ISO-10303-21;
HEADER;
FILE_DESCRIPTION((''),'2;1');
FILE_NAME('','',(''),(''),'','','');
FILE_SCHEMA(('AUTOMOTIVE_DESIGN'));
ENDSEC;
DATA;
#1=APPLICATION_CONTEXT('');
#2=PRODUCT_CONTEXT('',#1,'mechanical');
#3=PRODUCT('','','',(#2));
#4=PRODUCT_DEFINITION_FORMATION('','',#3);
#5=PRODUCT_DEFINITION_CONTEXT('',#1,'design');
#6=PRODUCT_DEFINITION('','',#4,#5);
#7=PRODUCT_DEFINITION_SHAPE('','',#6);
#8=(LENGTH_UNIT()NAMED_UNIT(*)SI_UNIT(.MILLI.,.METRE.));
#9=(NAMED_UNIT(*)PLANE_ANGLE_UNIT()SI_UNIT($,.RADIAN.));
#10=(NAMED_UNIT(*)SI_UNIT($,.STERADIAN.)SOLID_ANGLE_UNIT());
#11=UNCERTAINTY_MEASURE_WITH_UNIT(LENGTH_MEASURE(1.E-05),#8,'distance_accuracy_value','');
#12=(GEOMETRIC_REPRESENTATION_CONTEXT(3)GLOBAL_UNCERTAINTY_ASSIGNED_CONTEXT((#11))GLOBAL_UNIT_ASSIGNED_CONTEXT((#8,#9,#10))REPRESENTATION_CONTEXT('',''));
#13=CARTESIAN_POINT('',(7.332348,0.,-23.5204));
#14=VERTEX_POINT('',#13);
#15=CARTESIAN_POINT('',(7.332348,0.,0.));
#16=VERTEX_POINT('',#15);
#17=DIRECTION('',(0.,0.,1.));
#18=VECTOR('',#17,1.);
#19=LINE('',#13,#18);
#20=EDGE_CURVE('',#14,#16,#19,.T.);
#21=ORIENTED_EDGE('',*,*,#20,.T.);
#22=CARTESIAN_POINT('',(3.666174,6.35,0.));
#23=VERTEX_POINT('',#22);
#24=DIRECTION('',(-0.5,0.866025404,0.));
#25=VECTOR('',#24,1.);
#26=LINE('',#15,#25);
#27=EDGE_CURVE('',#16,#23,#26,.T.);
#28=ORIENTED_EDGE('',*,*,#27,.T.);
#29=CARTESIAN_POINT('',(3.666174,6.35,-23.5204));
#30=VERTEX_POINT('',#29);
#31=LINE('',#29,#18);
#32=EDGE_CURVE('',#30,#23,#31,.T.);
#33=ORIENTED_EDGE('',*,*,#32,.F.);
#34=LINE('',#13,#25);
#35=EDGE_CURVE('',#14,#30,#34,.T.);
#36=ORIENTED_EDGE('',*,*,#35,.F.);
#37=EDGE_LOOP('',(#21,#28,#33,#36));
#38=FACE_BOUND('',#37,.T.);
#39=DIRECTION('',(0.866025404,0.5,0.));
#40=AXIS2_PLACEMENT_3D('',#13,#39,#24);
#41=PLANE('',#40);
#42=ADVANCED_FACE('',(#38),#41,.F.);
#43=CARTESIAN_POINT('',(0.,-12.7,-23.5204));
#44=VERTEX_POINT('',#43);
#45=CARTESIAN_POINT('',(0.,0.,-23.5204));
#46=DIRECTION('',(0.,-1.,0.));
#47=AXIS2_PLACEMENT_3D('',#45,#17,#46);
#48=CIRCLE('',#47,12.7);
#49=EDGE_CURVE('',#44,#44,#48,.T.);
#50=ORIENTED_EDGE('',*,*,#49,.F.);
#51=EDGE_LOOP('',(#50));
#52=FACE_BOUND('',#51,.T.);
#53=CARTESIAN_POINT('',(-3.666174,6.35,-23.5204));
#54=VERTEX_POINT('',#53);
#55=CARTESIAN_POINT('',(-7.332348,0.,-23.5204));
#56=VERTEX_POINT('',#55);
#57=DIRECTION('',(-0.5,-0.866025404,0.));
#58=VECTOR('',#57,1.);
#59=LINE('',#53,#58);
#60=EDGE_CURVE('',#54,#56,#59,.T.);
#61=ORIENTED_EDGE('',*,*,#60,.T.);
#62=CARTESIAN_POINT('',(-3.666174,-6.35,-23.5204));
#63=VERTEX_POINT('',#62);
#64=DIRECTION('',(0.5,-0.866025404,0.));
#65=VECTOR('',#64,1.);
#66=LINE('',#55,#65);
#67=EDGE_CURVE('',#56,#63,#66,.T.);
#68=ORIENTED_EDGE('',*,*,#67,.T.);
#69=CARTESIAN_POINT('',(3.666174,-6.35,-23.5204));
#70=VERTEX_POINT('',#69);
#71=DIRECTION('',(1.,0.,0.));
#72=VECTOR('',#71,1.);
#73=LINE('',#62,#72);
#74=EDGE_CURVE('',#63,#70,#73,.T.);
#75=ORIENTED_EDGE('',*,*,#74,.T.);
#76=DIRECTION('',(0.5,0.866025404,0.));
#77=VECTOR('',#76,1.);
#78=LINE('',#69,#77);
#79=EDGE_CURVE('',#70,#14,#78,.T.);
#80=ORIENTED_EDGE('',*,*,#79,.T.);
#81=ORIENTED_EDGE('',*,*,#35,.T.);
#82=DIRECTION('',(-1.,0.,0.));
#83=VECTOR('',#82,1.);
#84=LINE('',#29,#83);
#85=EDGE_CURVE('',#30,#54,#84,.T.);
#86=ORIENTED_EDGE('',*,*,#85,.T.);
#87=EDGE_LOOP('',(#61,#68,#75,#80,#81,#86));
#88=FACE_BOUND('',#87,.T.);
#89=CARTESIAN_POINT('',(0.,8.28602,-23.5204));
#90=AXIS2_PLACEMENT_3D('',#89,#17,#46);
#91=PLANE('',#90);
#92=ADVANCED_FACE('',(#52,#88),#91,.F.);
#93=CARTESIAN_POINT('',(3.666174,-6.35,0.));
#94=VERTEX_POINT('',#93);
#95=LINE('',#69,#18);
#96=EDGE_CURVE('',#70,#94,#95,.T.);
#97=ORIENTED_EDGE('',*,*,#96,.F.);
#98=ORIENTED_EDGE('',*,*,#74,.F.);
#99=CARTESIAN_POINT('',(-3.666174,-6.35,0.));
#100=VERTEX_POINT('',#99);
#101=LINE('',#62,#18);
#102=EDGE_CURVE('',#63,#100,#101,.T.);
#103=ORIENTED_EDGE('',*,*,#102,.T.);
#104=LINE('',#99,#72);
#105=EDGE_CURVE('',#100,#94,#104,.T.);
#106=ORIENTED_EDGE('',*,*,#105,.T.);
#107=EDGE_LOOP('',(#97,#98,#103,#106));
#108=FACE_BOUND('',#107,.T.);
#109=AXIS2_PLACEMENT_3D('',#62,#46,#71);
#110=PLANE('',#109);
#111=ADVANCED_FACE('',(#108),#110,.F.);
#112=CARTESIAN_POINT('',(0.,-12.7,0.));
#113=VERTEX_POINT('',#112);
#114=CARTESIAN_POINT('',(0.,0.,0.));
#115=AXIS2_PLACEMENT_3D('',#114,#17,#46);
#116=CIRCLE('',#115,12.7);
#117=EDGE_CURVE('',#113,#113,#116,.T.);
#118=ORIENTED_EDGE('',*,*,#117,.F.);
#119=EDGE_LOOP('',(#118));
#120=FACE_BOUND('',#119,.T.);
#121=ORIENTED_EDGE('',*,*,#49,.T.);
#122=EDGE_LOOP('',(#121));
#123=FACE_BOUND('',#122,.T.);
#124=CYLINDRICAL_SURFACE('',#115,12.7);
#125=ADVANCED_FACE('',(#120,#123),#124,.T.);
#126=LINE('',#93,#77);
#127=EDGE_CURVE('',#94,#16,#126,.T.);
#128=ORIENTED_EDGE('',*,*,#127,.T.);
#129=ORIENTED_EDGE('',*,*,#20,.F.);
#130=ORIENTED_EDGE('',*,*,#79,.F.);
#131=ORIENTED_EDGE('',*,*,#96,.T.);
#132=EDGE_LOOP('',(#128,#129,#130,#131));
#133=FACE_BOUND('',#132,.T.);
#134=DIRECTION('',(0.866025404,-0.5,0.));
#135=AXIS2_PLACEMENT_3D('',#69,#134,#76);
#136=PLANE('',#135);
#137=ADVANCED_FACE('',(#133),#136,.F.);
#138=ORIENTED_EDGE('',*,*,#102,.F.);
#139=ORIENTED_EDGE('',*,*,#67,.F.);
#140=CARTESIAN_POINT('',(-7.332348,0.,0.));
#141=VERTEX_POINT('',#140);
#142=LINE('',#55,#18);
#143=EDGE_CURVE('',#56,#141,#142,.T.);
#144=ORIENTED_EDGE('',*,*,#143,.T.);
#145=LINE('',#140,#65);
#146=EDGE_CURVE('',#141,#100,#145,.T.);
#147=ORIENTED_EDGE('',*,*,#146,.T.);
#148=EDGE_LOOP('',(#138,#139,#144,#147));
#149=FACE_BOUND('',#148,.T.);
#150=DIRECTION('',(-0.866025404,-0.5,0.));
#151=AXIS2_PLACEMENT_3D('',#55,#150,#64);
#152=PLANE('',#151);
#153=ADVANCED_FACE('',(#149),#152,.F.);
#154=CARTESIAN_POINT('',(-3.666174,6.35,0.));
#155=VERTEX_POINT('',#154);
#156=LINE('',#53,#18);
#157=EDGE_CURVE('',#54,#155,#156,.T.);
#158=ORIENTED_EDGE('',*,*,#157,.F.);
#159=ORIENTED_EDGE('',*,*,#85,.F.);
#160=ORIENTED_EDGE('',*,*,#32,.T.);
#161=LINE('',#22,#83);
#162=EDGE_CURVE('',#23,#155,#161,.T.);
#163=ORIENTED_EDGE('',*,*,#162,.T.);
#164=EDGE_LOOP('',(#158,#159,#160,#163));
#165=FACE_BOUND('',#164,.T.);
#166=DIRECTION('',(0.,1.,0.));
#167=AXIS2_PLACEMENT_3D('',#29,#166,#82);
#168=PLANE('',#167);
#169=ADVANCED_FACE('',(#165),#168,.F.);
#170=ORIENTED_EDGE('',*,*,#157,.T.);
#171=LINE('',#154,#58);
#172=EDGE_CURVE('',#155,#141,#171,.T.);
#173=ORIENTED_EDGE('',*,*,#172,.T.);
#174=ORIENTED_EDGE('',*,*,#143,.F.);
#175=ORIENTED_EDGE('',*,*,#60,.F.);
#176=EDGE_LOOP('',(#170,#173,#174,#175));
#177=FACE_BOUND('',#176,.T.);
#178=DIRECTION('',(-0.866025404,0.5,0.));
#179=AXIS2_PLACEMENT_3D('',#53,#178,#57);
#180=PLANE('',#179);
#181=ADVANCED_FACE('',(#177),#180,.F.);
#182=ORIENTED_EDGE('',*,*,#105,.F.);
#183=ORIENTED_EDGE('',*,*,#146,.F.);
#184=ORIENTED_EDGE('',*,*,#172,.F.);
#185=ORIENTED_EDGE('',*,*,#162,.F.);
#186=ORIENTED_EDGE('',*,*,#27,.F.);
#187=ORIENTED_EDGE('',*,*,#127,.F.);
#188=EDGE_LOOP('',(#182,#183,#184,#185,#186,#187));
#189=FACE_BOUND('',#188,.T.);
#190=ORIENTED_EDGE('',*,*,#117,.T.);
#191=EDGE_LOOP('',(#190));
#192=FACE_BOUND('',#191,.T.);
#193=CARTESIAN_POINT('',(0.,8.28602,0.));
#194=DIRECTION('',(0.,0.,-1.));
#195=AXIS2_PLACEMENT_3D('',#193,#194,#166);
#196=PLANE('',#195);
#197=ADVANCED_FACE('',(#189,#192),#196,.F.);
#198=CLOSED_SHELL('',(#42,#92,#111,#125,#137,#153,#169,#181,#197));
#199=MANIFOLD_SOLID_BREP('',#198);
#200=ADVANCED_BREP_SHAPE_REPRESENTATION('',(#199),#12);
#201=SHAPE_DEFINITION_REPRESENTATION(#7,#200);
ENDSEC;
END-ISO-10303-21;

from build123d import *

# Parameters (mm, degrees)
CUT_EXTRUDE1_DEPTH = 30.593736097


with BuildPart() as part:
    # Sketch1 → Revolve1 (revolve)
    with BuildSketch(Plane(origin=(0, 0, 0), x_dir=(0, 0, -1), z_dir=(1, 0, 0)), mode=Mode.PRIVATE) as revolve1_sk:
        Polygon((0, 0), (23.5204, 0), (23.5204, 8.286019513), (23.5204, 12.7), (0, 12.7), (0, 8.286019513), align=None)
    revolve(revolve1_sk.sketch.rotate(Axis((0, 0, 0), (0, 0, -1)), 180), axis=Axis((0, 0, 0), (0, 0, -1)))

    # Sketch2 → Cut-Extrude1 (cut, through all)
    with BuildSketch(Plane.XY):
        Polygon((3.666174209, 6.35), (-3.666174209, 6.35), (-7.332348419, 0), (-3.666174209, -6.35), (3.666174209, -6.35), (7.332348419, 0), align=None)
    extrude(amount=-CUT_EXTRUDE1_DEPTH, mode=Mode.SUBTRACT)


solid = part.part
